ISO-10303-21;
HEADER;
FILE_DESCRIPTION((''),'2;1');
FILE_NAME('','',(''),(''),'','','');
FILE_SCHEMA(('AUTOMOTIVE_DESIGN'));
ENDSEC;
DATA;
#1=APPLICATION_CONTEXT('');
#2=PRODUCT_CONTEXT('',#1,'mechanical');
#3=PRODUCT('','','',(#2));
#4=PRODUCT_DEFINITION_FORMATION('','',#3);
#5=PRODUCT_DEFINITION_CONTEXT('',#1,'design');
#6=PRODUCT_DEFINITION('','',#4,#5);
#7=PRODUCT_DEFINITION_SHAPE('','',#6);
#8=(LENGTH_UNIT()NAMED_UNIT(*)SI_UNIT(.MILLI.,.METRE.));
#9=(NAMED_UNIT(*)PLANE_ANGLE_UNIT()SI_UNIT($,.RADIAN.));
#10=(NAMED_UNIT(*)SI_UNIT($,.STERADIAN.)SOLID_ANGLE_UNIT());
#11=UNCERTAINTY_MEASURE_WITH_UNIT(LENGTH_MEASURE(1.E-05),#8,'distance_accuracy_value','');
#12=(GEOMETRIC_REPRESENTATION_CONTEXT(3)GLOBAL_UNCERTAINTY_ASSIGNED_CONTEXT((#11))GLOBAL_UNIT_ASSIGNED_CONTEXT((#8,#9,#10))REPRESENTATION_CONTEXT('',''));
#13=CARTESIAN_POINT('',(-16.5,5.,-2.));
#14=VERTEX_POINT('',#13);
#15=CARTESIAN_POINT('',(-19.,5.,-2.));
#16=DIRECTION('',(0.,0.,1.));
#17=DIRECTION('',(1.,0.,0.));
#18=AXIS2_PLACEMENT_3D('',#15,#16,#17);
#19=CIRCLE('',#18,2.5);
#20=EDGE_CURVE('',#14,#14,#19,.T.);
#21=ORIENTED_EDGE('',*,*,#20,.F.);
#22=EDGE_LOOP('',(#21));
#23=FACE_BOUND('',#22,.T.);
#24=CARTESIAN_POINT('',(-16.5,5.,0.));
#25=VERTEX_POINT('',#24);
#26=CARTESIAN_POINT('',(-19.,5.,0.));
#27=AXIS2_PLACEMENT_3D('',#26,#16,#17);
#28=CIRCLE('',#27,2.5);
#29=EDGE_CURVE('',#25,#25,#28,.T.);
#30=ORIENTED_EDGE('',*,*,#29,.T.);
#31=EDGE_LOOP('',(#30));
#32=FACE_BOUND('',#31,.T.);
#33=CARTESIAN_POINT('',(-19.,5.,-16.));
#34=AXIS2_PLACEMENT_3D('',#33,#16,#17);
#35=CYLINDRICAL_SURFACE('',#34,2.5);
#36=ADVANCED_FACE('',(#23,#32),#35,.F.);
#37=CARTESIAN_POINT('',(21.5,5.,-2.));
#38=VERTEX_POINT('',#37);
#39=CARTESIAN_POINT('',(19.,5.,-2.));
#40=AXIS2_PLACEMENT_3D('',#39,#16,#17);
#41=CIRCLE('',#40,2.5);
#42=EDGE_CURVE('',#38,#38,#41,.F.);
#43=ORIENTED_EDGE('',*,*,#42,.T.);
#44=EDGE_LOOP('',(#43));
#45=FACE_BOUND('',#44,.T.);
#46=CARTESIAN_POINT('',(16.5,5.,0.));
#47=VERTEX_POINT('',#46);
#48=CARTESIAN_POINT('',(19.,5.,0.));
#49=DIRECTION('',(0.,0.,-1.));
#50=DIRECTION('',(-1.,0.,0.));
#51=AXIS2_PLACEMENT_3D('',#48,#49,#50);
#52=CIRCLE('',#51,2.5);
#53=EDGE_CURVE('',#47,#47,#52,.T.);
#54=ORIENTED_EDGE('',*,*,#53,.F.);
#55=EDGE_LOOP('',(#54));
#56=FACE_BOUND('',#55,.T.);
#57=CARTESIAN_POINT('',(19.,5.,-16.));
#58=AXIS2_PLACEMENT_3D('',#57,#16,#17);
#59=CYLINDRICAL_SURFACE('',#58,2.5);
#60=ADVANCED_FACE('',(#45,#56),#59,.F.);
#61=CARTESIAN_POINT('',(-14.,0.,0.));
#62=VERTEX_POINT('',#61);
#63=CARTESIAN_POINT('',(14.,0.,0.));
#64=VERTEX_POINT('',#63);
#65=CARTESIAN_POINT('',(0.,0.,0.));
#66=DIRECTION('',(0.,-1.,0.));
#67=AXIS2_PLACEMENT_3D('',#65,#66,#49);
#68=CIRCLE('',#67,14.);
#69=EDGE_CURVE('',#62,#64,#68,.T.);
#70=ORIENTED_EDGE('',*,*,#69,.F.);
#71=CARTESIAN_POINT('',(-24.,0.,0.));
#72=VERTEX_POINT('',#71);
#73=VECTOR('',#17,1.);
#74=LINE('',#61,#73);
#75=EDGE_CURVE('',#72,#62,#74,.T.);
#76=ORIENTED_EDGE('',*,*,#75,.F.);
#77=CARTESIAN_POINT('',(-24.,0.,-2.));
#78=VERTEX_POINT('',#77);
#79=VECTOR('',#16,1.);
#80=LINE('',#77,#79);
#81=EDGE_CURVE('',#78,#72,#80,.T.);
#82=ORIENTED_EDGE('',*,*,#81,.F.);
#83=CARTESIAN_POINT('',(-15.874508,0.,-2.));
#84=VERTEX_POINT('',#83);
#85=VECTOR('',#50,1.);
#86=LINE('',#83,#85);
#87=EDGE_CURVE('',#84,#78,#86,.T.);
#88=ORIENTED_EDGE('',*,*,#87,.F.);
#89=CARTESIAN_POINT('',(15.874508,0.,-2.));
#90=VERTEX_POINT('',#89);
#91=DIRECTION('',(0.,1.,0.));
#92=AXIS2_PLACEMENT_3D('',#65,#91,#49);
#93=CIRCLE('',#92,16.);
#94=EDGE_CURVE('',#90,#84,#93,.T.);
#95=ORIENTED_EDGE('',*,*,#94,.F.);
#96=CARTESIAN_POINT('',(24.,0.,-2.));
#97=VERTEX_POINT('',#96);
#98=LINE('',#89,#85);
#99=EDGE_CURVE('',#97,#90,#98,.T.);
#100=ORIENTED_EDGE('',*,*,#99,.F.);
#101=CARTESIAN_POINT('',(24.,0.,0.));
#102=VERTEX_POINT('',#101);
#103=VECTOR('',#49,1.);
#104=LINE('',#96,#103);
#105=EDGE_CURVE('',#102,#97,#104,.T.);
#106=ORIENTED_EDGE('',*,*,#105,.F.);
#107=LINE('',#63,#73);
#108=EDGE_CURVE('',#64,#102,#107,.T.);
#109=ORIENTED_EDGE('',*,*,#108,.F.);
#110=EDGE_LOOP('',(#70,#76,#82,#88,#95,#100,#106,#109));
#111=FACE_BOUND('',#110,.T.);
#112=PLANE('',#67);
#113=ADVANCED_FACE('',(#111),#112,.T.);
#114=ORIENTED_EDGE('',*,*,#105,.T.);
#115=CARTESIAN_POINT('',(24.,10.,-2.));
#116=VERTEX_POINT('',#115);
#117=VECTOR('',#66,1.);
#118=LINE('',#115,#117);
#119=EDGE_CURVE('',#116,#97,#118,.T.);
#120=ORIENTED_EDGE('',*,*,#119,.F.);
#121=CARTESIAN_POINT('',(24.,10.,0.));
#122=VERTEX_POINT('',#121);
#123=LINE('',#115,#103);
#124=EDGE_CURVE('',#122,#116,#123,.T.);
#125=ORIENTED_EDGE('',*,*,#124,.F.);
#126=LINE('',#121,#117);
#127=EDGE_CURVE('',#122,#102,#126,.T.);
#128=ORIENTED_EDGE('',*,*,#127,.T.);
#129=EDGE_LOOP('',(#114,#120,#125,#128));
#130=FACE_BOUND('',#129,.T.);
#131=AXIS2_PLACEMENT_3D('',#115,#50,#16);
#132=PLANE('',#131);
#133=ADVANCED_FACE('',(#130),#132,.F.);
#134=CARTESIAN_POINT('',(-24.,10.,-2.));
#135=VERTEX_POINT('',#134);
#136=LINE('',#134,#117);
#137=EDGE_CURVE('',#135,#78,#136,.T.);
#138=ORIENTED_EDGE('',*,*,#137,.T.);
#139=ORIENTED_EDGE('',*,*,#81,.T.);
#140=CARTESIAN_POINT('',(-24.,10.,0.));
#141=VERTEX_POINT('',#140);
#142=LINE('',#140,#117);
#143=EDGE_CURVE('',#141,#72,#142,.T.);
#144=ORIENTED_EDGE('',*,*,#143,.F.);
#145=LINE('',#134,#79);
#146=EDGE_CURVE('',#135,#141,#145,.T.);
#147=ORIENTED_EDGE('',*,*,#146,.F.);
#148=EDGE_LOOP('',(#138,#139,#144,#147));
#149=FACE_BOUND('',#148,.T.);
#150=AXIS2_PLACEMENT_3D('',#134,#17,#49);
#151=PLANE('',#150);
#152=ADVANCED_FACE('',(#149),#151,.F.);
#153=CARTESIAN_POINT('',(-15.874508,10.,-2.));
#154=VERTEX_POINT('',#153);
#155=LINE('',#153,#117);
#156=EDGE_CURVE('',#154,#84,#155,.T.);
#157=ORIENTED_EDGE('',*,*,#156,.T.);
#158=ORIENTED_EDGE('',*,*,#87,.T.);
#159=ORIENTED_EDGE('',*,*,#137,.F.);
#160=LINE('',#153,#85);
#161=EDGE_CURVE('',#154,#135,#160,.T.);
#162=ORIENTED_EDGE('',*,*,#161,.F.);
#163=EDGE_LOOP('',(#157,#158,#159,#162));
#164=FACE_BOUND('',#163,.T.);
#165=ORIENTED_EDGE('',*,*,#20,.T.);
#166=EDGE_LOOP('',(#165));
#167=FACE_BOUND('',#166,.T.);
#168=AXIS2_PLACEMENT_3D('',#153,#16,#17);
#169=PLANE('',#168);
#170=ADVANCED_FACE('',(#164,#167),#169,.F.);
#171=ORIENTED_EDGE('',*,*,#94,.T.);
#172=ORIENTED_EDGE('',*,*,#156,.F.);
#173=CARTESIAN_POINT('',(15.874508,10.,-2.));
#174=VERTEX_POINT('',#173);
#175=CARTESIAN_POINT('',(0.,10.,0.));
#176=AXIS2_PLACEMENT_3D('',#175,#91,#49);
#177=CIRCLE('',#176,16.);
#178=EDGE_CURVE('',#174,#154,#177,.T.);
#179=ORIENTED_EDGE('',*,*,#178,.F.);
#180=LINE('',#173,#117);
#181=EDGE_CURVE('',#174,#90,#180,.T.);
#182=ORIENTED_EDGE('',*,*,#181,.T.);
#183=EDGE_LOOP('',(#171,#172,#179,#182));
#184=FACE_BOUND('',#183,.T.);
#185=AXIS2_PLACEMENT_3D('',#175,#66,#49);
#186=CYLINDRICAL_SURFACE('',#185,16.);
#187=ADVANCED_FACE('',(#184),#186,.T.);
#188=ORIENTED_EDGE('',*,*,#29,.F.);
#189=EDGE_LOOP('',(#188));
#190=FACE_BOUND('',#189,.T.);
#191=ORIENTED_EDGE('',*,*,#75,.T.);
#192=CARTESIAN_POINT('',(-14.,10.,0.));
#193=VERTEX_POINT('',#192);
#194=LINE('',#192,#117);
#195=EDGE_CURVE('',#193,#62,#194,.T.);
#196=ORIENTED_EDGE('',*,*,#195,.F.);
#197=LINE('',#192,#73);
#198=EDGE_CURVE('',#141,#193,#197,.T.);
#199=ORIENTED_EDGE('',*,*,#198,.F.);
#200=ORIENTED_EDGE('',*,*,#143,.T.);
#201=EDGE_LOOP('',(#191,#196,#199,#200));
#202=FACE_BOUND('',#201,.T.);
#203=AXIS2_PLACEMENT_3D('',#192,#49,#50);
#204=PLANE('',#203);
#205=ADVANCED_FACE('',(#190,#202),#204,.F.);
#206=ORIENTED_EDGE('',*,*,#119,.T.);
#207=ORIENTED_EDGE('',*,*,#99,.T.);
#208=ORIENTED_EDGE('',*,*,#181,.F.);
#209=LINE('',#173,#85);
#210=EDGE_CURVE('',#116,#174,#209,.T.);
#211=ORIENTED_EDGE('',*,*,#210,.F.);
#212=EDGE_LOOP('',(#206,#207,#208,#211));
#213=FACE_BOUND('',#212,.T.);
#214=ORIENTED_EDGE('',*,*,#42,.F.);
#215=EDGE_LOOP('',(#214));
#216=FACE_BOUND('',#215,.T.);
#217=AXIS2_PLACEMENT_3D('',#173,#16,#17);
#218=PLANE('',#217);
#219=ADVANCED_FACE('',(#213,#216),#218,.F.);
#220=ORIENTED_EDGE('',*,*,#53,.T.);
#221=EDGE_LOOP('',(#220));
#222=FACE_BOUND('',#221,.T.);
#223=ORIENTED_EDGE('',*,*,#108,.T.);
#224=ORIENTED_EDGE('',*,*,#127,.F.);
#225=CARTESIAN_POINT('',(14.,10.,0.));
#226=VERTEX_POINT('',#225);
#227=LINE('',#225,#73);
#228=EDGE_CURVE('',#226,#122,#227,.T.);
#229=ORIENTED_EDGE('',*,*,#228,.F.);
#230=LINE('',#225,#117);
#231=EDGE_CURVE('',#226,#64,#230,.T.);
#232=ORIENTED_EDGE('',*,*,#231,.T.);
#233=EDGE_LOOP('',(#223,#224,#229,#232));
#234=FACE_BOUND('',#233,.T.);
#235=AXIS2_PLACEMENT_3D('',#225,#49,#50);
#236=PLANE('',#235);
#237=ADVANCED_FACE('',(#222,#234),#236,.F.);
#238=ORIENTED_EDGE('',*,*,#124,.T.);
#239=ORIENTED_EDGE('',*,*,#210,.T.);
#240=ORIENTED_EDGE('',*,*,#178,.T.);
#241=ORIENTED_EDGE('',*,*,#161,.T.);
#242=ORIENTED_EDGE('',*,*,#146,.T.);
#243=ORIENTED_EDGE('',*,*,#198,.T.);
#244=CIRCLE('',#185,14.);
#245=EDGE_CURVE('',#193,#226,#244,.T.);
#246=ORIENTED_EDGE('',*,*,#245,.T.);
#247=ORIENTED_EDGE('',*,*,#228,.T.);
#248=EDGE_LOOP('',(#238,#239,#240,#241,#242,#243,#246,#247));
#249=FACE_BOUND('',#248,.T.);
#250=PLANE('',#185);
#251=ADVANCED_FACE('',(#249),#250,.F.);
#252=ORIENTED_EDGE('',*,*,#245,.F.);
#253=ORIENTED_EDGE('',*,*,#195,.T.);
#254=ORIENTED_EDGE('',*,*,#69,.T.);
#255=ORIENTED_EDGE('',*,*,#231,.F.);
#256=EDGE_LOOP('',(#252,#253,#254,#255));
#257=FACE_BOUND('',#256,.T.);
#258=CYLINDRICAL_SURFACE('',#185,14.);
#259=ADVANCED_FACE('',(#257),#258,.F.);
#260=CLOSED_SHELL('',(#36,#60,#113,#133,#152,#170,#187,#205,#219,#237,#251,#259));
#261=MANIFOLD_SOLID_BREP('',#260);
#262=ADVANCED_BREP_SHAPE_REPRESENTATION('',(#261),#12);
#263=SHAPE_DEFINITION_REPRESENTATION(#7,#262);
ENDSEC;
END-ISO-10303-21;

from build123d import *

# Parameters (mm, degrees)
EXTRUDE_1_DEPTH     = 10
SKETCH_2_R          = 2.5
CUT_EXTRUDE_1_DEPTH = 31.528675045


with BuildPart() as part:
    # Эскиз1 → Бобышка-Вытянуть1 (new body)
    with BuildSketch(Plane(origin=(0, 0, 0), x_dir=(1, 0, 0), z_dir=(0, 1, 0))):
        with BuildLine():
            Line((-14, 0), (-24, 0))
            Line((-24, 0), (-24, 2))
            Line((-24, 2), (-15.874507866, 2))
            ThreePointArc((-15.874507866, 2), (0, 16), (15.874507866, 2))
            Line((15.874507866, 2), (24, 2))
            Line((24, 2), (24, 0))
            Line((24, 0), (14, 0))
            ThreePointArc((14, 0), (0, 14), (-14, 0))
        make_face()
    extrude(amount=EXTRUDE_1_DEPTH)

    # Эскиз2 → Вырез-Вытянуть1 (cut, through all)
    with BuildSketch(Plane.XY):
        with Locations((-19, 5)):
            Circle(SKETCH_2_R)
    cut_extrude_1 = extrude(amount=-CUT_EXTRUDE_1_DEPTH, mode=Mode.SUBTRACT)

    # Зеркальное отражение1: Вырез-Вытянуть1 across plane
    add(cut_extrude_1.mirror(Plane(origin=(0, 0, 0), x_dir=(0, 0, 1), z_dir=(1, 0, 0))), mode=Mode.SUBTRACT)


solid = part.part
